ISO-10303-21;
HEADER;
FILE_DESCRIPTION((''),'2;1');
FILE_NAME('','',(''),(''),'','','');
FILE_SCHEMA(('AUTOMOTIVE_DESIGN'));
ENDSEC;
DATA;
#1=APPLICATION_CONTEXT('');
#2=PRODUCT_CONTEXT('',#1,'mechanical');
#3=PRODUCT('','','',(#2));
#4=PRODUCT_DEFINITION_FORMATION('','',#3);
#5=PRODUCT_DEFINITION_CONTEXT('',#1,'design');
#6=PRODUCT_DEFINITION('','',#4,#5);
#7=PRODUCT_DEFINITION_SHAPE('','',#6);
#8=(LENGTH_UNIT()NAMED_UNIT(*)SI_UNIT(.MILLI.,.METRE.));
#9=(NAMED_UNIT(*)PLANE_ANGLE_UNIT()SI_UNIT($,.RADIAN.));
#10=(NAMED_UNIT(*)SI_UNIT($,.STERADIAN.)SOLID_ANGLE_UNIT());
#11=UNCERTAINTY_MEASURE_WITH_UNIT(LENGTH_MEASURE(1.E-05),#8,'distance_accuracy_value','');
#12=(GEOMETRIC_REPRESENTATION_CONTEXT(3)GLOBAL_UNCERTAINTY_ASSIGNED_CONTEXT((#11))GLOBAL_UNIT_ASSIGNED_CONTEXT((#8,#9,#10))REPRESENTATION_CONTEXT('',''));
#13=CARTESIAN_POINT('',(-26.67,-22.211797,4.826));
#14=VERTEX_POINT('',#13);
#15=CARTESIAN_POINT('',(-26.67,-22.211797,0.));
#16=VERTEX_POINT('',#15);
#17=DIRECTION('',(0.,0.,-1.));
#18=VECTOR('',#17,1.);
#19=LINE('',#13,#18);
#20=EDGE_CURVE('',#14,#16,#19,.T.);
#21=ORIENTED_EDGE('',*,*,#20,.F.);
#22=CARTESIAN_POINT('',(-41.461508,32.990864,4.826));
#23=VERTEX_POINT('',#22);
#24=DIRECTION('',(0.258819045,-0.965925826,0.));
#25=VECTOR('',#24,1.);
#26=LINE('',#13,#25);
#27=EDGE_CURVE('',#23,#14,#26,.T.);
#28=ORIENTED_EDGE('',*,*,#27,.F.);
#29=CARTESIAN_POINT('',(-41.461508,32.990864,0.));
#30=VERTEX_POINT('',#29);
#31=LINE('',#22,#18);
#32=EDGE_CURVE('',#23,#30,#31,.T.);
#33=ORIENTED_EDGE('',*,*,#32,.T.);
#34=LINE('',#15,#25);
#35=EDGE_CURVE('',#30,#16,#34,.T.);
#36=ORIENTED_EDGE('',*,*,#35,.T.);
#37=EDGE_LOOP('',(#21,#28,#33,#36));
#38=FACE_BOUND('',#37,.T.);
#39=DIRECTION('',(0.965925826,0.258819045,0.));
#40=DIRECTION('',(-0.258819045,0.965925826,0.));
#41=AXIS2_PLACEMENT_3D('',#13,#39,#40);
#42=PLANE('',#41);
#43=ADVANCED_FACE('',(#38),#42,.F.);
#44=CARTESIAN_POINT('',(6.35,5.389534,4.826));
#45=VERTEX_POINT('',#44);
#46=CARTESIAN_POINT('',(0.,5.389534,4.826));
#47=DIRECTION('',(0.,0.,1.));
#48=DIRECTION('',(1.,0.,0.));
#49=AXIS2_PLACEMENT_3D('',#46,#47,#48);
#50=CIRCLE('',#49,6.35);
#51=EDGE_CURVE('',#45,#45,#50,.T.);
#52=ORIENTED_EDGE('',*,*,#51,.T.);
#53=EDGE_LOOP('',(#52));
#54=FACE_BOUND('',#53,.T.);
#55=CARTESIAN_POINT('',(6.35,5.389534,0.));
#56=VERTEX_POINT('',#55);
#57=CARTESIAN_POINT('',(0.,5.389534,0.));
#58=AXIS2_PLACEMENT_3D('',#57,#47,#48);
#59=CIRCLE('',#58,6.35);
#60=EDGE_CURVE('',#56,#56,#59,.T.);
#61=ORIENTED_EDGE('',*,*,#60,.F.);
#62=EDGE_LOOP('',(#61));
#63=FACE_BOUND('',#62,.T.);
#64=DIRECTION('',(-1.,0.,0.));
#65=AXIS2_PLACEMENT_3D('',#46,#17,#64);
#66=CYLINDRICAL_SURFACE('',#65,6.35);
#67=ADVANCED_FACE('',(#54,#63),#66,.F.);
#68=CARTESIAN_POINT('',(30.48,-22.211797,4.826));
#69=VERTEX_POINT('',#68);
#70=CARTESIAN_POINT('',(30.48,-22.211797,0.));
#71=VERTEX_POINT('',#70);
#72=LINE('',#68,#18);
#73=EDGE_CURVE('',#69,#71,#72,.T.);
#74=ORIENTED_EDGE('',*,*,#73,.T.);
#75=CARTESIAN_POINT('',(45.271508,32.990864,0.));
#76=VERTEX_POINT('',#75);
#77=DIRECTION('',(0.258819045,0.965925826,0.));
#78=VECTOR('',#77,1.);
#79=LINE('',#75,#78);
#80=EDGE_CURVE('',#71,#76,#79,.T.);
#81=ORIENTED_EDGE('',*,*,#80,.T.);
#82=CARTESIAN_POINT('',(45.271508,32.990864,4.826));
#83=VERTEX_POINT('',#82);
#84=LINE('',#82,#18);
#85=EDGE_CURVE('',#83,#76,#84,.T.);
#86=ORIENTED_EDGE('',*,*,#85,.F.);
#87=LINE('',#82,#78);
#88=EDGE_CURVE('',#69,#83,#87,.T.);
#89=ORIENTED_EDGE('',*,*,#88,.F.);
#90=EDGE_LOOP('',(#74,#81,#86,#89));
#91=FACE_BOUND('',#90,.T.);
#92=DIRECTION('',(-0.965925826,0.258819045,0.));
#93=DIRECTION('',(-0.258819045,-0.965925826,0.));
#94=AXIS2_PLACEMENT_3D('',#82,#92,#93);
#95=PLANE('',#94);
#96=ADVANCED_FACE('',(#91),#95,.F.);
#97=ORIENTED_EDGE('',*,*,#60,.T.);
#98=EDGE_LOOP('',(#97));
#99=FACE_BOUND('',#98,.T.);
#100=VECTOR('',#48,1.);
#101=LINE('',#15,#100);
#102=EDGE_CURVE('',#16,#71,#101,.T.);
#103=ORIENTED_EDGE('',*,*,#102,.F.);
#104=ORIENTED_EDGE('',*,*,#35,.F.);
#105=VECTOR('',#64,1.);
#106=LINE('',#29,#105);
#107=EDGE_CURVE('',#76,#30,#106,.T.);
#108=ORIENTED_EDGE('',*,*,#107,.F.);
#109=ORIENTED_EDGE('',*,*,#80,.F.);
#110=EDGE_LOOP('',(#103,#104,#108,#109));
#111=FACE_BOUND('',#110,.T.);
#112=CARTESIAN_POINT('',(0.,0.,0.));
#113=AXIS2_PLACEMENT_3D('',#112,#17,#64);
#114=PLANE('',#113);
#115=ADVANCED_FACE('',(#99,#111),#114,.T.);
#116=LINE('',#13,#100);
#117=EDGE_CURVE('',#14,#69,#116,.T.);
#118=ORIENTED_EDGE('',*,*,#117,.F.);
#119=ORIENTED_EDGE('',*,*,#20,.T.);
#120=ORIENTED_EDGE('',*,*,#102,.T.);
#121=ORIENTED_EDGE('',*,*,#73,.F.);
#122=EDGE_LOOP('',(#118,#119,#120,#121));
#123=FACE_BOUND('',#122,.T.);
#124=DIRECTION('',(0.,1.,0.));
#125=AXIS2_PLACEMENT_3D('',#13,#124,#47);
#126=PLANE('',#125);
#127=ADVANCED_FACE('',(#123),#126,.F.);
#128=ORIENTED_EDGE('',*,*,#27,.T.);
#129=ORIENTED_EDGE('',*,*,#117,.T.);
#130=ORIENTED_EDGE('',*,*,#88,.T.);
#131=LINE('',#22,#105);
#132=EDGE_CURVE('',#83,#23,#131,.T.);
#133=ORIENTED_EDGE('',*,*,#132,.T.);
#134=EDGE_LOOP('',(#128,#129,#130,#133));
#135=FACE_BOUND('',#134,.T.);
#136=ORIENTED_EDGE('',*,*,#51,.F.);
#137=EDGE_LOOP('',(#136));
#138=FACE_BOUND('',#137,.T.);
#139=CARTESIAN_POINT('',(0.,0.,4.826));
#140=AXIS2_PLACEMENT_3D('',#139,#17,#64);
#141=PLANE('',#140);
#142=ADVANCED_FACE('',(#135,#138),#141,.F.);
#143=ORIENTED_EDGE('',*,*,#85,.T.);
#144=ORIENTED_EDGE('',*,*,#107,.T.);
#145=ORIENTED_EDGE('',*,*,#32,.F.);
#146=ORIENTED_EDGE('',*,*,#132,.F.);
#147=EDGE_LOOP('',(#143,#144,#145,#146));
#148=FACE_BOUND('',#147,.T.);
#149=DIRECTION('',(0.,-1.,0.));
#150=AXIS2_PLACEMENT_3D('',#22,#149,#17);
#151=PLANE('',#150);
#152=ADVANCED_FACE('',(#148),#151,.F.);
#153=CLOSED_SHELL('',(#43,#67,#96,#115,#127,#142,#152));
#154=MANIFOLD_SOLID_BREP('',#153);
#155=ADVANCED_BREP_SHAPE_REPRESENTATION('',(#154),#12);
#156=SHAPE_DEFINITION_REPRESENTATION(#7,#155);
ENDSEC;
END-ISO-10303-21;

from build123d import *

# Parameters (mm, degrees)
BOSS_EXTRUDE1_DEPTH = 4.826
SKETCH4_R           = 6.35
CUT_EXTRUDE5_DEPTH  = 5.826


with BuildPart() as part:
    # Sketch1 → Boss-Extrude1 (new body)
    with BuildSketch(Plane.XY):
        Polygon((-26.67, -22.21179672), (30.48, -22.21179672), (45.271508428, 32.990864252), (-41.461508428, 32.990864252), align=None)
    extrude(amount=BOSS_EXTRUDE1_DEPTH)

    # Sketch4 → Cut-Extrude5 (cut, through all)
    with BuildSketch(Plane.XY):
        with Locations((0, 5.389533766)):
            Circle(SKETCH4_R)
    extrude(amount=CUT_EXTRUDE5_DEPTH, mode=Mode.SUBTRACT)


solid = part.part
